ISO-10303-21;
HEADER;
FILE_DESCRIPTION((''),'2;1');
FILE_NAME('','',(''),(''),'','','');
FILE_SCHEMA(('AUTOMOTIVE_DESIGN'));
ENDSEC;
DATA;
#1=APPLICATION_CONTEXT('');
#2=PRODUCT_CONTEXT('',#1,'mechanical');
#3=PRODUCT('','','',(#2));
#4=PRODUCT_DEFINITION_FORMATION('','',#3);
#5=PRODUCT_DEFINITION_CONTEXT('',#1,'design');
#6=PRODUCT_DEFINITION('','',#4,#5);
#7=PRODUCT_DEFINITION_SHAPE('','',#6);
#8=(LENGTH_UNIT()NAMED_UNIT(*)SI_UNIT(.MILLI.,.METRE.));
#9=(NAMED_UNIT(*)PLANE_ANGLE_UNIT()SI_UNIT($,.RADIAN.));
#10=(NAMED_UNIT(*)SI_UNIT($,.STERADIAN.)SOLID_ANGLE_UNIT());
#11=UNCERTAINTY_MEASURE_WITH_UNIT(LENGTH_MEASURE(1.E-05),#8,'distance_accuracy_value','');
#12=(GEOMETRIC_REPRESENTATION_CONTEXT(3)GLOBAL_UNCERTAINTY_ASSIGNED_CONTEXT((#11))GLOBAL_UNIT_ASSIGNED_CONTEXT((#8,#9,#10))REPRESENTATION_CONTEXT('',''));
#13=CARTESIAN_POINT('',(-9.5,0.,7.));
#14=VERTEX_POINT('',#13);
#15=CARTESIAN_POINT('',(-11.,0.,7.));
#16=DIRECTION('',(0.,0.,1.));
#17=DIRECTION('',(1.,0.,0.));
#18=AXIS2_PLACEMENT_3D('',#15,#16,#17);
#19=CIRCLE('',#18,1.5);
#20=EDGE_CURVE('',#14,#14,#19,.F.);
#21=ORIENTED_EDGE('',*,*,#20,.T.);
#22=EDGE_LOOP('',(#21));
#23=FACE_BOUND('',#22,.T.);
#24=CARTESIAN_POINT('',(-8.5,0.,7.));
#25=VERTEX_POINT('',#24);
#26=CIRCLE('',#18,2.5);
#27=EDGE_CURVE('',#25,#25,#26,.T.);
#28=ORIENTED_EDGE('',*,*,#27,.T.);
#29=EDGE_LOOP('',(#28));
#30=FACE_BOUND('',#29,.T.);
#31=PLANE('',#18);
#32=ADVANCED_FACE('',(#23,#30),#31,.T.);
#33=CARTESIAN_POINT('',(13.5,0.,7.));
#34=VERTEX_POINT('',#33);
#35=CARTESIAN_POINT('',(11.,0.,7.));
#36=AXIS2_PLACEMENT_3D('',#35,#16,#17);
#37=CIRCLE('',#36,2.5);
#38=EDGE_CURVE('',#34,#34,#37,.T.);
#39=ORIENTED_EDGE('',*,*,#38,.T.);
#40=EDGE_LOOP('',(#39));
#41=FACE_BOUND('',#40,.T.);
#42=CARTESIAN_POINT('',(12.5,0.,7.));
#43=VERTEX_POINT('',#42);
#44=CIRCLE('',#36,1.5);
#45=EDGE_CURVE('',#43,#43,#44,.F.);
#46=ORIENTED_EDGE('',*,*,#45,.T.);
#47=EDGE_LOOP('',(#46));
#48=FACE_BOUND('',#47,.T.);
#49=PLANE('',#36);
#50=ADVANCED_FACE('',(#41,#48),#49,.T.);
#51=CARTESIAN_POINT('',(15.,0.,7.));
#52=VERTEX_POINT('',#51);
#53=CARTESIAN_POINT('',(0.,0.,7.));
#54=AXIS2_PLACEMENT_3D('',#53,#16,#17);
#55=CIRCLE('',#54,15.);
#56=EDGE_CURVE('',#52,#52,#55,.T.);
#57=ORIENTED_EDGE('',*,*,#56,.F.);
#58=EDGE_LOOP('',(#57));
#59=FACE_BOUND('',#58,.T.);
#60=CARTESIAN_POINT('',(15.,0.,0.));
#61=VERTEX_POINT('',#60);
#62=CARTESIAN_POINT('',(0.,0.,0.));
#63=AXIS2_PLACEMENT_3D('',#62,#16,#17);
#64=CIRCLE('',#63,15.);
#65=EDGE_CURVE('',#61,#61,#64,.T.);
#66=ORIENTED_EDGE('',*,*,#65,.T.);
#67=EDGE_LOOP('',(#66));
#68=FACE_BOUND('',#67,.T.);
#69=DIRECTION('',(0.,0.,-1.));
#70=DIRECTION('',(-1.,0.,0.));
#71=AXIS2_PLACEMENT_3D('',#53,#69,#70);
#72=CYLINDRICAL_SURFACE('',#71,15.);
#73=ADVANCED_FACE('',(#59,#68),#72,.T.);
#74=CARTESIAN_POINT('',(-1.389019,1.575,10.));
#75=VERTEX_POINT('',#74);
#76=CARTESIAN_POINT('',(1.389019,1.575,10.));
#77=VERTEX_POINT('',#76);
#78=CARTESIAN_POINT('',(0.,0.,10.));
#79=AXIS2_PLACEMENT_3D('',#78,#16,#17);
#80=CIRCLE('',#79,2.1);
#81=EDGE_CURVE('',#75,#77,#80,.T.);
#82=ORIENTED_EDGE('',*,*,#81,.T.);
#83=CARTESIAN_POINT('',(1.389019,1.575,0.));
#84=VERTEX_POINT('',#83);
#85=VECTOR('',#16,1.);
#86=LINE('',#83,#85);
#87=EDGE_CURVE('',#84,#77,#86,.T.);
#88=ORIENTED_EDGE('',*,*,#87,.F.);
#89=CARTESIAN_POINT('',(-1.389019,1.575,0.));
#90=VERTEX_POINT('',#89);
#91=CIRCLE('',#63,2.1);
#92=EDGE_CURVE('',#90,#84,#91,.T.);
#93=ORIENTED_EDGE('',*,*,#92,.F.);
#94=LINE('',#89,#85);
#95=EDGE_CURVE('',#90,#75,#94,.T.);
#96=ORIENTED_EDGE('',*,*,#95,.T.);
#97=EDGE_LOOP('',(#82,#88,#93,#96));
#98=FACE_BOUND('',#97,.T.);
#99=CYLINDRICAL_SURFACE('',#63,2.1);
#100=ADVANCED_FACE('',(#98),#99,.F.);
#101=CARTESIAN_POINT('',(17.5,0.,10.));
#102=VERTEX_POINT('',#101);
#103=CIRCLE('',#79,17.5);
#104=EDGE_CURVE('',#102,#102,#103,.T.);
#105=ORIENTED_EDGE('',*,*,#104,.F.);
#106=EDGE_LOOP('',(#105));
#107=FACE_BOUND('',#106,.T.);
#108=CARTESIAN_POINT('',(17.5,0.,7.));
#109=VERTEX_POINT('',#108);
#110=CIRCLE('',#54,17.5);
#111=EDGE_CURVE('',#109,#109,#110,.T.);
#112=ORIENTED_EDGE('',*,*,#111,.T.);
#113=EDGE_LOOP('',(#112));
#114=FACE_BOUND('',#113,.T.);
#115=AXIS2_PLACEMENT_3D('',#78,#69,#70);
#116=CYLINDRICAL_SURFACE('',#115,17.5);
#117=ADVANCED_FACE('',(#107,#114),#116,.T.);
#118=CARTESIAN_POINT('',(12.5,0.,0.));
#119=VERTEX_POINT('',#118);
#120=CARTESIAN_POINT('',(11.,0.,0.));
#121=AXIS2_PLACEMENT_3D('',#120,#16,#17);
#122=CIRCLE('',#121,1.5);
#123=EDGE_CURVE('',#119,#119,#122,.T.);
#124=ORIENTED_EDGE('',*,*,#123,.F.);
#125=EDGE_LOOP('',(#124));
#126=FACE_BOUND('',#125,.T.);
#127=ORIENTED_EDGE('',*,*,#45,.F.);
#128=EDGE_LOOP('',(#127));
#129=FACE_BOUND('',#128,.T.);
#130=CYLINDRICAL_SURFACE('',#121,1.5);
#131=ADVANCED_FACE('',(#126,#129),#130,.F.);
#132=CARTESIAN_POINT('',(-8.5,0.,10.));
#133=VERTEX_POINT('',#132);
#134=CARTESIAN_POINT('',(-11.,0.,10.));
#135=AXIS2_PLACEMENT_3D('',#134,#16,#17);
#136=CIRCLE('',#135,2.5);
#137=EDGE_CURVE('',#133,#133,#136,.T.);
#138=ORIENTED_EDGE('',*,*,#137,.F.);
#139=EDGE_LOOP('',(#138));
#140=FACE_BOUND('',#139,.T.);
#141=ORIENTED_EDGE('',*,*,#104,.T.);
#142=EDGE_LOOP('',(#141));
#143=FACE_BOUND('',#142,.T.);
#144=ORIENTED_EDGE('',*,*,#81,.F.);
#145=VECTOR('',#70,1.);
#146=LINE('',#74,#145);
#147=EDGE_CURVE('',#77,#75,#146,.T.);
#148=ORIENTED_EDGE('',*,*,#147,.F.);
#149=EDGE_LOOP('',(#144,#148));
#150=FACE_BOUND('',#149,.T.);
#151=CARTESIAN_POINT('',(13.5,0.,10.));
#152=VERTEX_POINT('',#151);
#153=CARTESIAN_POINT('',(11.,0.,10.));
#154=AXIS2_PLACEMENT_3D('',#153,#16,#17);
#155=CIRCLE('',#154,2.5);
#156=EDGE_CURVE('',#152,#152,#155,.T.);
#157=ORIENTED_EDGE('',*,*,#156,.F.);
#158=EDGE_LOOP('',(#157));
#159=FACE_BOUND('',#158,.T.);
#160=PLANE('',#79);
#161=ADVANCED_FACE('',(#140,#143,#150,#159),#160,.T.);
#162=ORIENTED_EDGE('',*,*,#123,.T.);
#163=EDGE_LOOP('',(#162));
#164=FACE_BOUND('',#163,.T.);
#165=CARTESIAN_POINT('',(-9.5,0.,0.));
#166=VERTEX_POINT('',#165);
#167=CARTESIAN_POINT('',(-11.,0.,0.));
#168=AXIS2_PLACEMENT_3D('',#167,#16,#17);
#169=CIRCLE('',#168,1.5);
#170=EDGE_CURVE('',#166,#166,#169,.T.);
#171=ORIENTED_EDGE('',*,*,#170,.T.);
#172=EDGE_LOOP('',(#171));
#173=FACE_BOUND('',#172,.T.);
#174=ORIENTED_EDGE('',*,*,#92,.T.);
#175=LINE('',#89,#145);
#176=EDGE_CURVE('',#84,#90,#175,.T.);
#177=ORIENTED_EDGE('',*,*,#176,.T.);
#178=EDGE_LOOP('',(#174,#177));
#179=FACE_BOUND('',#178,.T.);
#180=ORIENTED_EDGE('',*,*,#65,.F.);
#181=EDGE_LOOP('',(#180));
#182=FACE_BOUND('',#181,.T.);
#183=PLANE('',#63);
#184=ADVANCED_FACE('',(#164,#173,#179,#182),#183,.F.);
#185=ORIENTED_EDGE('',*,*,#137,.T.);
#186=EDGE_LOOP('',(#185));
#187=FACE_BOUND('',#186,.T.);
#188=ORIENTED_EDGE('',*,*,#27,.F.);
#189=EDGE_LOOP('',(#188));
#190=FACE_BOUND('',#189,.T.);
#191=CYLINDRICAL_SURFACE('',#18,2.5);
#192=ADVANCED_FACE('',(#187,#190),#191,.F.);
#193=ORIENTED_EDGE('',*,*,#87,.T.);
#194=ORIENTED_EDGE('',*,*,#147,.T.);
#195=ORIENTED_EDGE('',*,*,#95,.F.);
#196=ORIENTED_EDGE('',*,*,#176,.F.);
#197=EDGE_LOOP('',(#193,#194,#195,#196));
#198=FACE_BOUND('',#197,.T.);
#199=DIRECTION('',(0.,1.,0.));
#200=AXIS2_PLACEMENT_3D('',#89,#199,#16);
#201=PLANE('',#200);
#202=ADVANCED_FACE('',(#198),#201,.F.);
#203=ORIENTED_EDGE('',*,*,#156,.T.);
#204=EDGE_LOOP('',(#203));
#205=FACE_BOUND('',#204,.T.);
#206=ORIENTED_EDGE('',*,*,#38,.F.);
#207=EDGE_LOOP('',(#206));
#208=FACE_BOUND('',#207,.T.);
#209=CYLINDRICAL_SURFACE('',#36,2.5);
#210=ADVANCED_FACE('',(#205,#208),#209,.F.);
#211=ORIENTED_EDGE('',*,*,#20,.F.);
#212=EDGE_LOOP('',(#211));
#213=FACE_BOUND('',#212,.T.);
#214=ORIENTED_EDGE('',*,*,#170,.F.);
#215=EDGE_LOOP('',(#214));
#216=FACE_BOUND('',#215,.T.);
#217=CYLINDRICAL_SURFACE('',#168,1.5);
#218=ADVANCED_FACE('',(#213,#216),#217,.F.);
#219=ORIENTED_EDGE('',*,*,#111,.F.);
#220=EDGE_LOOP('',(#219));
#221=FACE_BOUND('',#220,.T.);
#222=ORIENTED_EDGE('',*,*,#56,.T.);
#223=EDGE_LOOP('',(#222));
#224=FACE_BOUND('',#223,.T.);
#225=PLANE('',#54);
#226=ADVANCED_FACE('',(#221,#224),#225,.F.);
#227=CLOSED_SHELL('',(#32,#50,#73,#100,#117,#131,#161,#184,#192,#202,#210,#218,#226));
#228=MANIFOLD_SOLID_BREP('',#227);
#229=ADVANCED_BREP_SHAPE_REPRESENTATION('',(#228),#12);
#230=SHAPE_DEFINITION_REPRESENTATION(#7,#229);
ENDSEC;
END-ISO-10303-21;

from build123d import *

# Parameters (mm, degrees)
SKETCH1_R           = 15
BOSS_EXTRUDE1_DEPTH = 7
SKETCH2_R           = 17.5
BOSS_EXTRUDE2_DEPTH = 3
SKETCH3_R           = 1.5
CUT_EXTRUDE1_DEPTH  = 10
SKETCH5_R           = 2.5
CUT_EXTRUDE3_DEPTH  = 3
CUT_EXTRUDE5_DEPTH  = 10


with BuildPart() as part:
    # Sketch1 → Boss-Extrude1 (new body)
    with BuildSketch(Plane.XY):
        Circle(SKETCH1_R)
    extrude(amount=BOSS_EXTRUDE1_DEPTH)

    # Sketch2 → Boss-Extrude2 (add)
    with BuildSketch(Plane.XY.offset(7)):
        Circle(SKETCH2_R)
    extrude(amount=BOSS_EXTRUDE2_DEPTH)

    # Sketch3 → Cut-Extrude1 (cut)
    with BuildSketch(Plane.XY.offset(10)):
        with Locations((-11, 0)):
            Circle(SKETCH3_R)
        with Locations((11, 0)):
            Circle(SKETCH3_R)
    extrude(amount=-CUT_EXTRUDE1_DEPTH, mode=Mode.SUBTRACT)

    # Sketch5 → Cut-Extrude3 (cut)
    with BuildSketch(Plane.XY.offset(10)):
        with Locations((11, 0)):
            Circle(SKETCH5_R)
        with Locations((-11, 0)):
            Circle(SKETCH5_R)
    extrude(amount=-CUT_EXTRUDE3_DEPTH, mode=Mode.SUBTRACT)

    # Sketch4 → Cut-Extrude5 (cut)
    with BuildSketch(Plane.XY.offset(10)):
        with BuildLine():
            Line((-1.389019438, 1.575), (1.389019438, 1.575))
            ThreePointArc((1.389019438, 1.575), (0, -2.1), (-1.389019438, 1.575))
        make_face()
    extrude(amount=-CUT_EXTRUDE5_DEPTH, mode=Mode.SUBTRACT)


solid = part.part
